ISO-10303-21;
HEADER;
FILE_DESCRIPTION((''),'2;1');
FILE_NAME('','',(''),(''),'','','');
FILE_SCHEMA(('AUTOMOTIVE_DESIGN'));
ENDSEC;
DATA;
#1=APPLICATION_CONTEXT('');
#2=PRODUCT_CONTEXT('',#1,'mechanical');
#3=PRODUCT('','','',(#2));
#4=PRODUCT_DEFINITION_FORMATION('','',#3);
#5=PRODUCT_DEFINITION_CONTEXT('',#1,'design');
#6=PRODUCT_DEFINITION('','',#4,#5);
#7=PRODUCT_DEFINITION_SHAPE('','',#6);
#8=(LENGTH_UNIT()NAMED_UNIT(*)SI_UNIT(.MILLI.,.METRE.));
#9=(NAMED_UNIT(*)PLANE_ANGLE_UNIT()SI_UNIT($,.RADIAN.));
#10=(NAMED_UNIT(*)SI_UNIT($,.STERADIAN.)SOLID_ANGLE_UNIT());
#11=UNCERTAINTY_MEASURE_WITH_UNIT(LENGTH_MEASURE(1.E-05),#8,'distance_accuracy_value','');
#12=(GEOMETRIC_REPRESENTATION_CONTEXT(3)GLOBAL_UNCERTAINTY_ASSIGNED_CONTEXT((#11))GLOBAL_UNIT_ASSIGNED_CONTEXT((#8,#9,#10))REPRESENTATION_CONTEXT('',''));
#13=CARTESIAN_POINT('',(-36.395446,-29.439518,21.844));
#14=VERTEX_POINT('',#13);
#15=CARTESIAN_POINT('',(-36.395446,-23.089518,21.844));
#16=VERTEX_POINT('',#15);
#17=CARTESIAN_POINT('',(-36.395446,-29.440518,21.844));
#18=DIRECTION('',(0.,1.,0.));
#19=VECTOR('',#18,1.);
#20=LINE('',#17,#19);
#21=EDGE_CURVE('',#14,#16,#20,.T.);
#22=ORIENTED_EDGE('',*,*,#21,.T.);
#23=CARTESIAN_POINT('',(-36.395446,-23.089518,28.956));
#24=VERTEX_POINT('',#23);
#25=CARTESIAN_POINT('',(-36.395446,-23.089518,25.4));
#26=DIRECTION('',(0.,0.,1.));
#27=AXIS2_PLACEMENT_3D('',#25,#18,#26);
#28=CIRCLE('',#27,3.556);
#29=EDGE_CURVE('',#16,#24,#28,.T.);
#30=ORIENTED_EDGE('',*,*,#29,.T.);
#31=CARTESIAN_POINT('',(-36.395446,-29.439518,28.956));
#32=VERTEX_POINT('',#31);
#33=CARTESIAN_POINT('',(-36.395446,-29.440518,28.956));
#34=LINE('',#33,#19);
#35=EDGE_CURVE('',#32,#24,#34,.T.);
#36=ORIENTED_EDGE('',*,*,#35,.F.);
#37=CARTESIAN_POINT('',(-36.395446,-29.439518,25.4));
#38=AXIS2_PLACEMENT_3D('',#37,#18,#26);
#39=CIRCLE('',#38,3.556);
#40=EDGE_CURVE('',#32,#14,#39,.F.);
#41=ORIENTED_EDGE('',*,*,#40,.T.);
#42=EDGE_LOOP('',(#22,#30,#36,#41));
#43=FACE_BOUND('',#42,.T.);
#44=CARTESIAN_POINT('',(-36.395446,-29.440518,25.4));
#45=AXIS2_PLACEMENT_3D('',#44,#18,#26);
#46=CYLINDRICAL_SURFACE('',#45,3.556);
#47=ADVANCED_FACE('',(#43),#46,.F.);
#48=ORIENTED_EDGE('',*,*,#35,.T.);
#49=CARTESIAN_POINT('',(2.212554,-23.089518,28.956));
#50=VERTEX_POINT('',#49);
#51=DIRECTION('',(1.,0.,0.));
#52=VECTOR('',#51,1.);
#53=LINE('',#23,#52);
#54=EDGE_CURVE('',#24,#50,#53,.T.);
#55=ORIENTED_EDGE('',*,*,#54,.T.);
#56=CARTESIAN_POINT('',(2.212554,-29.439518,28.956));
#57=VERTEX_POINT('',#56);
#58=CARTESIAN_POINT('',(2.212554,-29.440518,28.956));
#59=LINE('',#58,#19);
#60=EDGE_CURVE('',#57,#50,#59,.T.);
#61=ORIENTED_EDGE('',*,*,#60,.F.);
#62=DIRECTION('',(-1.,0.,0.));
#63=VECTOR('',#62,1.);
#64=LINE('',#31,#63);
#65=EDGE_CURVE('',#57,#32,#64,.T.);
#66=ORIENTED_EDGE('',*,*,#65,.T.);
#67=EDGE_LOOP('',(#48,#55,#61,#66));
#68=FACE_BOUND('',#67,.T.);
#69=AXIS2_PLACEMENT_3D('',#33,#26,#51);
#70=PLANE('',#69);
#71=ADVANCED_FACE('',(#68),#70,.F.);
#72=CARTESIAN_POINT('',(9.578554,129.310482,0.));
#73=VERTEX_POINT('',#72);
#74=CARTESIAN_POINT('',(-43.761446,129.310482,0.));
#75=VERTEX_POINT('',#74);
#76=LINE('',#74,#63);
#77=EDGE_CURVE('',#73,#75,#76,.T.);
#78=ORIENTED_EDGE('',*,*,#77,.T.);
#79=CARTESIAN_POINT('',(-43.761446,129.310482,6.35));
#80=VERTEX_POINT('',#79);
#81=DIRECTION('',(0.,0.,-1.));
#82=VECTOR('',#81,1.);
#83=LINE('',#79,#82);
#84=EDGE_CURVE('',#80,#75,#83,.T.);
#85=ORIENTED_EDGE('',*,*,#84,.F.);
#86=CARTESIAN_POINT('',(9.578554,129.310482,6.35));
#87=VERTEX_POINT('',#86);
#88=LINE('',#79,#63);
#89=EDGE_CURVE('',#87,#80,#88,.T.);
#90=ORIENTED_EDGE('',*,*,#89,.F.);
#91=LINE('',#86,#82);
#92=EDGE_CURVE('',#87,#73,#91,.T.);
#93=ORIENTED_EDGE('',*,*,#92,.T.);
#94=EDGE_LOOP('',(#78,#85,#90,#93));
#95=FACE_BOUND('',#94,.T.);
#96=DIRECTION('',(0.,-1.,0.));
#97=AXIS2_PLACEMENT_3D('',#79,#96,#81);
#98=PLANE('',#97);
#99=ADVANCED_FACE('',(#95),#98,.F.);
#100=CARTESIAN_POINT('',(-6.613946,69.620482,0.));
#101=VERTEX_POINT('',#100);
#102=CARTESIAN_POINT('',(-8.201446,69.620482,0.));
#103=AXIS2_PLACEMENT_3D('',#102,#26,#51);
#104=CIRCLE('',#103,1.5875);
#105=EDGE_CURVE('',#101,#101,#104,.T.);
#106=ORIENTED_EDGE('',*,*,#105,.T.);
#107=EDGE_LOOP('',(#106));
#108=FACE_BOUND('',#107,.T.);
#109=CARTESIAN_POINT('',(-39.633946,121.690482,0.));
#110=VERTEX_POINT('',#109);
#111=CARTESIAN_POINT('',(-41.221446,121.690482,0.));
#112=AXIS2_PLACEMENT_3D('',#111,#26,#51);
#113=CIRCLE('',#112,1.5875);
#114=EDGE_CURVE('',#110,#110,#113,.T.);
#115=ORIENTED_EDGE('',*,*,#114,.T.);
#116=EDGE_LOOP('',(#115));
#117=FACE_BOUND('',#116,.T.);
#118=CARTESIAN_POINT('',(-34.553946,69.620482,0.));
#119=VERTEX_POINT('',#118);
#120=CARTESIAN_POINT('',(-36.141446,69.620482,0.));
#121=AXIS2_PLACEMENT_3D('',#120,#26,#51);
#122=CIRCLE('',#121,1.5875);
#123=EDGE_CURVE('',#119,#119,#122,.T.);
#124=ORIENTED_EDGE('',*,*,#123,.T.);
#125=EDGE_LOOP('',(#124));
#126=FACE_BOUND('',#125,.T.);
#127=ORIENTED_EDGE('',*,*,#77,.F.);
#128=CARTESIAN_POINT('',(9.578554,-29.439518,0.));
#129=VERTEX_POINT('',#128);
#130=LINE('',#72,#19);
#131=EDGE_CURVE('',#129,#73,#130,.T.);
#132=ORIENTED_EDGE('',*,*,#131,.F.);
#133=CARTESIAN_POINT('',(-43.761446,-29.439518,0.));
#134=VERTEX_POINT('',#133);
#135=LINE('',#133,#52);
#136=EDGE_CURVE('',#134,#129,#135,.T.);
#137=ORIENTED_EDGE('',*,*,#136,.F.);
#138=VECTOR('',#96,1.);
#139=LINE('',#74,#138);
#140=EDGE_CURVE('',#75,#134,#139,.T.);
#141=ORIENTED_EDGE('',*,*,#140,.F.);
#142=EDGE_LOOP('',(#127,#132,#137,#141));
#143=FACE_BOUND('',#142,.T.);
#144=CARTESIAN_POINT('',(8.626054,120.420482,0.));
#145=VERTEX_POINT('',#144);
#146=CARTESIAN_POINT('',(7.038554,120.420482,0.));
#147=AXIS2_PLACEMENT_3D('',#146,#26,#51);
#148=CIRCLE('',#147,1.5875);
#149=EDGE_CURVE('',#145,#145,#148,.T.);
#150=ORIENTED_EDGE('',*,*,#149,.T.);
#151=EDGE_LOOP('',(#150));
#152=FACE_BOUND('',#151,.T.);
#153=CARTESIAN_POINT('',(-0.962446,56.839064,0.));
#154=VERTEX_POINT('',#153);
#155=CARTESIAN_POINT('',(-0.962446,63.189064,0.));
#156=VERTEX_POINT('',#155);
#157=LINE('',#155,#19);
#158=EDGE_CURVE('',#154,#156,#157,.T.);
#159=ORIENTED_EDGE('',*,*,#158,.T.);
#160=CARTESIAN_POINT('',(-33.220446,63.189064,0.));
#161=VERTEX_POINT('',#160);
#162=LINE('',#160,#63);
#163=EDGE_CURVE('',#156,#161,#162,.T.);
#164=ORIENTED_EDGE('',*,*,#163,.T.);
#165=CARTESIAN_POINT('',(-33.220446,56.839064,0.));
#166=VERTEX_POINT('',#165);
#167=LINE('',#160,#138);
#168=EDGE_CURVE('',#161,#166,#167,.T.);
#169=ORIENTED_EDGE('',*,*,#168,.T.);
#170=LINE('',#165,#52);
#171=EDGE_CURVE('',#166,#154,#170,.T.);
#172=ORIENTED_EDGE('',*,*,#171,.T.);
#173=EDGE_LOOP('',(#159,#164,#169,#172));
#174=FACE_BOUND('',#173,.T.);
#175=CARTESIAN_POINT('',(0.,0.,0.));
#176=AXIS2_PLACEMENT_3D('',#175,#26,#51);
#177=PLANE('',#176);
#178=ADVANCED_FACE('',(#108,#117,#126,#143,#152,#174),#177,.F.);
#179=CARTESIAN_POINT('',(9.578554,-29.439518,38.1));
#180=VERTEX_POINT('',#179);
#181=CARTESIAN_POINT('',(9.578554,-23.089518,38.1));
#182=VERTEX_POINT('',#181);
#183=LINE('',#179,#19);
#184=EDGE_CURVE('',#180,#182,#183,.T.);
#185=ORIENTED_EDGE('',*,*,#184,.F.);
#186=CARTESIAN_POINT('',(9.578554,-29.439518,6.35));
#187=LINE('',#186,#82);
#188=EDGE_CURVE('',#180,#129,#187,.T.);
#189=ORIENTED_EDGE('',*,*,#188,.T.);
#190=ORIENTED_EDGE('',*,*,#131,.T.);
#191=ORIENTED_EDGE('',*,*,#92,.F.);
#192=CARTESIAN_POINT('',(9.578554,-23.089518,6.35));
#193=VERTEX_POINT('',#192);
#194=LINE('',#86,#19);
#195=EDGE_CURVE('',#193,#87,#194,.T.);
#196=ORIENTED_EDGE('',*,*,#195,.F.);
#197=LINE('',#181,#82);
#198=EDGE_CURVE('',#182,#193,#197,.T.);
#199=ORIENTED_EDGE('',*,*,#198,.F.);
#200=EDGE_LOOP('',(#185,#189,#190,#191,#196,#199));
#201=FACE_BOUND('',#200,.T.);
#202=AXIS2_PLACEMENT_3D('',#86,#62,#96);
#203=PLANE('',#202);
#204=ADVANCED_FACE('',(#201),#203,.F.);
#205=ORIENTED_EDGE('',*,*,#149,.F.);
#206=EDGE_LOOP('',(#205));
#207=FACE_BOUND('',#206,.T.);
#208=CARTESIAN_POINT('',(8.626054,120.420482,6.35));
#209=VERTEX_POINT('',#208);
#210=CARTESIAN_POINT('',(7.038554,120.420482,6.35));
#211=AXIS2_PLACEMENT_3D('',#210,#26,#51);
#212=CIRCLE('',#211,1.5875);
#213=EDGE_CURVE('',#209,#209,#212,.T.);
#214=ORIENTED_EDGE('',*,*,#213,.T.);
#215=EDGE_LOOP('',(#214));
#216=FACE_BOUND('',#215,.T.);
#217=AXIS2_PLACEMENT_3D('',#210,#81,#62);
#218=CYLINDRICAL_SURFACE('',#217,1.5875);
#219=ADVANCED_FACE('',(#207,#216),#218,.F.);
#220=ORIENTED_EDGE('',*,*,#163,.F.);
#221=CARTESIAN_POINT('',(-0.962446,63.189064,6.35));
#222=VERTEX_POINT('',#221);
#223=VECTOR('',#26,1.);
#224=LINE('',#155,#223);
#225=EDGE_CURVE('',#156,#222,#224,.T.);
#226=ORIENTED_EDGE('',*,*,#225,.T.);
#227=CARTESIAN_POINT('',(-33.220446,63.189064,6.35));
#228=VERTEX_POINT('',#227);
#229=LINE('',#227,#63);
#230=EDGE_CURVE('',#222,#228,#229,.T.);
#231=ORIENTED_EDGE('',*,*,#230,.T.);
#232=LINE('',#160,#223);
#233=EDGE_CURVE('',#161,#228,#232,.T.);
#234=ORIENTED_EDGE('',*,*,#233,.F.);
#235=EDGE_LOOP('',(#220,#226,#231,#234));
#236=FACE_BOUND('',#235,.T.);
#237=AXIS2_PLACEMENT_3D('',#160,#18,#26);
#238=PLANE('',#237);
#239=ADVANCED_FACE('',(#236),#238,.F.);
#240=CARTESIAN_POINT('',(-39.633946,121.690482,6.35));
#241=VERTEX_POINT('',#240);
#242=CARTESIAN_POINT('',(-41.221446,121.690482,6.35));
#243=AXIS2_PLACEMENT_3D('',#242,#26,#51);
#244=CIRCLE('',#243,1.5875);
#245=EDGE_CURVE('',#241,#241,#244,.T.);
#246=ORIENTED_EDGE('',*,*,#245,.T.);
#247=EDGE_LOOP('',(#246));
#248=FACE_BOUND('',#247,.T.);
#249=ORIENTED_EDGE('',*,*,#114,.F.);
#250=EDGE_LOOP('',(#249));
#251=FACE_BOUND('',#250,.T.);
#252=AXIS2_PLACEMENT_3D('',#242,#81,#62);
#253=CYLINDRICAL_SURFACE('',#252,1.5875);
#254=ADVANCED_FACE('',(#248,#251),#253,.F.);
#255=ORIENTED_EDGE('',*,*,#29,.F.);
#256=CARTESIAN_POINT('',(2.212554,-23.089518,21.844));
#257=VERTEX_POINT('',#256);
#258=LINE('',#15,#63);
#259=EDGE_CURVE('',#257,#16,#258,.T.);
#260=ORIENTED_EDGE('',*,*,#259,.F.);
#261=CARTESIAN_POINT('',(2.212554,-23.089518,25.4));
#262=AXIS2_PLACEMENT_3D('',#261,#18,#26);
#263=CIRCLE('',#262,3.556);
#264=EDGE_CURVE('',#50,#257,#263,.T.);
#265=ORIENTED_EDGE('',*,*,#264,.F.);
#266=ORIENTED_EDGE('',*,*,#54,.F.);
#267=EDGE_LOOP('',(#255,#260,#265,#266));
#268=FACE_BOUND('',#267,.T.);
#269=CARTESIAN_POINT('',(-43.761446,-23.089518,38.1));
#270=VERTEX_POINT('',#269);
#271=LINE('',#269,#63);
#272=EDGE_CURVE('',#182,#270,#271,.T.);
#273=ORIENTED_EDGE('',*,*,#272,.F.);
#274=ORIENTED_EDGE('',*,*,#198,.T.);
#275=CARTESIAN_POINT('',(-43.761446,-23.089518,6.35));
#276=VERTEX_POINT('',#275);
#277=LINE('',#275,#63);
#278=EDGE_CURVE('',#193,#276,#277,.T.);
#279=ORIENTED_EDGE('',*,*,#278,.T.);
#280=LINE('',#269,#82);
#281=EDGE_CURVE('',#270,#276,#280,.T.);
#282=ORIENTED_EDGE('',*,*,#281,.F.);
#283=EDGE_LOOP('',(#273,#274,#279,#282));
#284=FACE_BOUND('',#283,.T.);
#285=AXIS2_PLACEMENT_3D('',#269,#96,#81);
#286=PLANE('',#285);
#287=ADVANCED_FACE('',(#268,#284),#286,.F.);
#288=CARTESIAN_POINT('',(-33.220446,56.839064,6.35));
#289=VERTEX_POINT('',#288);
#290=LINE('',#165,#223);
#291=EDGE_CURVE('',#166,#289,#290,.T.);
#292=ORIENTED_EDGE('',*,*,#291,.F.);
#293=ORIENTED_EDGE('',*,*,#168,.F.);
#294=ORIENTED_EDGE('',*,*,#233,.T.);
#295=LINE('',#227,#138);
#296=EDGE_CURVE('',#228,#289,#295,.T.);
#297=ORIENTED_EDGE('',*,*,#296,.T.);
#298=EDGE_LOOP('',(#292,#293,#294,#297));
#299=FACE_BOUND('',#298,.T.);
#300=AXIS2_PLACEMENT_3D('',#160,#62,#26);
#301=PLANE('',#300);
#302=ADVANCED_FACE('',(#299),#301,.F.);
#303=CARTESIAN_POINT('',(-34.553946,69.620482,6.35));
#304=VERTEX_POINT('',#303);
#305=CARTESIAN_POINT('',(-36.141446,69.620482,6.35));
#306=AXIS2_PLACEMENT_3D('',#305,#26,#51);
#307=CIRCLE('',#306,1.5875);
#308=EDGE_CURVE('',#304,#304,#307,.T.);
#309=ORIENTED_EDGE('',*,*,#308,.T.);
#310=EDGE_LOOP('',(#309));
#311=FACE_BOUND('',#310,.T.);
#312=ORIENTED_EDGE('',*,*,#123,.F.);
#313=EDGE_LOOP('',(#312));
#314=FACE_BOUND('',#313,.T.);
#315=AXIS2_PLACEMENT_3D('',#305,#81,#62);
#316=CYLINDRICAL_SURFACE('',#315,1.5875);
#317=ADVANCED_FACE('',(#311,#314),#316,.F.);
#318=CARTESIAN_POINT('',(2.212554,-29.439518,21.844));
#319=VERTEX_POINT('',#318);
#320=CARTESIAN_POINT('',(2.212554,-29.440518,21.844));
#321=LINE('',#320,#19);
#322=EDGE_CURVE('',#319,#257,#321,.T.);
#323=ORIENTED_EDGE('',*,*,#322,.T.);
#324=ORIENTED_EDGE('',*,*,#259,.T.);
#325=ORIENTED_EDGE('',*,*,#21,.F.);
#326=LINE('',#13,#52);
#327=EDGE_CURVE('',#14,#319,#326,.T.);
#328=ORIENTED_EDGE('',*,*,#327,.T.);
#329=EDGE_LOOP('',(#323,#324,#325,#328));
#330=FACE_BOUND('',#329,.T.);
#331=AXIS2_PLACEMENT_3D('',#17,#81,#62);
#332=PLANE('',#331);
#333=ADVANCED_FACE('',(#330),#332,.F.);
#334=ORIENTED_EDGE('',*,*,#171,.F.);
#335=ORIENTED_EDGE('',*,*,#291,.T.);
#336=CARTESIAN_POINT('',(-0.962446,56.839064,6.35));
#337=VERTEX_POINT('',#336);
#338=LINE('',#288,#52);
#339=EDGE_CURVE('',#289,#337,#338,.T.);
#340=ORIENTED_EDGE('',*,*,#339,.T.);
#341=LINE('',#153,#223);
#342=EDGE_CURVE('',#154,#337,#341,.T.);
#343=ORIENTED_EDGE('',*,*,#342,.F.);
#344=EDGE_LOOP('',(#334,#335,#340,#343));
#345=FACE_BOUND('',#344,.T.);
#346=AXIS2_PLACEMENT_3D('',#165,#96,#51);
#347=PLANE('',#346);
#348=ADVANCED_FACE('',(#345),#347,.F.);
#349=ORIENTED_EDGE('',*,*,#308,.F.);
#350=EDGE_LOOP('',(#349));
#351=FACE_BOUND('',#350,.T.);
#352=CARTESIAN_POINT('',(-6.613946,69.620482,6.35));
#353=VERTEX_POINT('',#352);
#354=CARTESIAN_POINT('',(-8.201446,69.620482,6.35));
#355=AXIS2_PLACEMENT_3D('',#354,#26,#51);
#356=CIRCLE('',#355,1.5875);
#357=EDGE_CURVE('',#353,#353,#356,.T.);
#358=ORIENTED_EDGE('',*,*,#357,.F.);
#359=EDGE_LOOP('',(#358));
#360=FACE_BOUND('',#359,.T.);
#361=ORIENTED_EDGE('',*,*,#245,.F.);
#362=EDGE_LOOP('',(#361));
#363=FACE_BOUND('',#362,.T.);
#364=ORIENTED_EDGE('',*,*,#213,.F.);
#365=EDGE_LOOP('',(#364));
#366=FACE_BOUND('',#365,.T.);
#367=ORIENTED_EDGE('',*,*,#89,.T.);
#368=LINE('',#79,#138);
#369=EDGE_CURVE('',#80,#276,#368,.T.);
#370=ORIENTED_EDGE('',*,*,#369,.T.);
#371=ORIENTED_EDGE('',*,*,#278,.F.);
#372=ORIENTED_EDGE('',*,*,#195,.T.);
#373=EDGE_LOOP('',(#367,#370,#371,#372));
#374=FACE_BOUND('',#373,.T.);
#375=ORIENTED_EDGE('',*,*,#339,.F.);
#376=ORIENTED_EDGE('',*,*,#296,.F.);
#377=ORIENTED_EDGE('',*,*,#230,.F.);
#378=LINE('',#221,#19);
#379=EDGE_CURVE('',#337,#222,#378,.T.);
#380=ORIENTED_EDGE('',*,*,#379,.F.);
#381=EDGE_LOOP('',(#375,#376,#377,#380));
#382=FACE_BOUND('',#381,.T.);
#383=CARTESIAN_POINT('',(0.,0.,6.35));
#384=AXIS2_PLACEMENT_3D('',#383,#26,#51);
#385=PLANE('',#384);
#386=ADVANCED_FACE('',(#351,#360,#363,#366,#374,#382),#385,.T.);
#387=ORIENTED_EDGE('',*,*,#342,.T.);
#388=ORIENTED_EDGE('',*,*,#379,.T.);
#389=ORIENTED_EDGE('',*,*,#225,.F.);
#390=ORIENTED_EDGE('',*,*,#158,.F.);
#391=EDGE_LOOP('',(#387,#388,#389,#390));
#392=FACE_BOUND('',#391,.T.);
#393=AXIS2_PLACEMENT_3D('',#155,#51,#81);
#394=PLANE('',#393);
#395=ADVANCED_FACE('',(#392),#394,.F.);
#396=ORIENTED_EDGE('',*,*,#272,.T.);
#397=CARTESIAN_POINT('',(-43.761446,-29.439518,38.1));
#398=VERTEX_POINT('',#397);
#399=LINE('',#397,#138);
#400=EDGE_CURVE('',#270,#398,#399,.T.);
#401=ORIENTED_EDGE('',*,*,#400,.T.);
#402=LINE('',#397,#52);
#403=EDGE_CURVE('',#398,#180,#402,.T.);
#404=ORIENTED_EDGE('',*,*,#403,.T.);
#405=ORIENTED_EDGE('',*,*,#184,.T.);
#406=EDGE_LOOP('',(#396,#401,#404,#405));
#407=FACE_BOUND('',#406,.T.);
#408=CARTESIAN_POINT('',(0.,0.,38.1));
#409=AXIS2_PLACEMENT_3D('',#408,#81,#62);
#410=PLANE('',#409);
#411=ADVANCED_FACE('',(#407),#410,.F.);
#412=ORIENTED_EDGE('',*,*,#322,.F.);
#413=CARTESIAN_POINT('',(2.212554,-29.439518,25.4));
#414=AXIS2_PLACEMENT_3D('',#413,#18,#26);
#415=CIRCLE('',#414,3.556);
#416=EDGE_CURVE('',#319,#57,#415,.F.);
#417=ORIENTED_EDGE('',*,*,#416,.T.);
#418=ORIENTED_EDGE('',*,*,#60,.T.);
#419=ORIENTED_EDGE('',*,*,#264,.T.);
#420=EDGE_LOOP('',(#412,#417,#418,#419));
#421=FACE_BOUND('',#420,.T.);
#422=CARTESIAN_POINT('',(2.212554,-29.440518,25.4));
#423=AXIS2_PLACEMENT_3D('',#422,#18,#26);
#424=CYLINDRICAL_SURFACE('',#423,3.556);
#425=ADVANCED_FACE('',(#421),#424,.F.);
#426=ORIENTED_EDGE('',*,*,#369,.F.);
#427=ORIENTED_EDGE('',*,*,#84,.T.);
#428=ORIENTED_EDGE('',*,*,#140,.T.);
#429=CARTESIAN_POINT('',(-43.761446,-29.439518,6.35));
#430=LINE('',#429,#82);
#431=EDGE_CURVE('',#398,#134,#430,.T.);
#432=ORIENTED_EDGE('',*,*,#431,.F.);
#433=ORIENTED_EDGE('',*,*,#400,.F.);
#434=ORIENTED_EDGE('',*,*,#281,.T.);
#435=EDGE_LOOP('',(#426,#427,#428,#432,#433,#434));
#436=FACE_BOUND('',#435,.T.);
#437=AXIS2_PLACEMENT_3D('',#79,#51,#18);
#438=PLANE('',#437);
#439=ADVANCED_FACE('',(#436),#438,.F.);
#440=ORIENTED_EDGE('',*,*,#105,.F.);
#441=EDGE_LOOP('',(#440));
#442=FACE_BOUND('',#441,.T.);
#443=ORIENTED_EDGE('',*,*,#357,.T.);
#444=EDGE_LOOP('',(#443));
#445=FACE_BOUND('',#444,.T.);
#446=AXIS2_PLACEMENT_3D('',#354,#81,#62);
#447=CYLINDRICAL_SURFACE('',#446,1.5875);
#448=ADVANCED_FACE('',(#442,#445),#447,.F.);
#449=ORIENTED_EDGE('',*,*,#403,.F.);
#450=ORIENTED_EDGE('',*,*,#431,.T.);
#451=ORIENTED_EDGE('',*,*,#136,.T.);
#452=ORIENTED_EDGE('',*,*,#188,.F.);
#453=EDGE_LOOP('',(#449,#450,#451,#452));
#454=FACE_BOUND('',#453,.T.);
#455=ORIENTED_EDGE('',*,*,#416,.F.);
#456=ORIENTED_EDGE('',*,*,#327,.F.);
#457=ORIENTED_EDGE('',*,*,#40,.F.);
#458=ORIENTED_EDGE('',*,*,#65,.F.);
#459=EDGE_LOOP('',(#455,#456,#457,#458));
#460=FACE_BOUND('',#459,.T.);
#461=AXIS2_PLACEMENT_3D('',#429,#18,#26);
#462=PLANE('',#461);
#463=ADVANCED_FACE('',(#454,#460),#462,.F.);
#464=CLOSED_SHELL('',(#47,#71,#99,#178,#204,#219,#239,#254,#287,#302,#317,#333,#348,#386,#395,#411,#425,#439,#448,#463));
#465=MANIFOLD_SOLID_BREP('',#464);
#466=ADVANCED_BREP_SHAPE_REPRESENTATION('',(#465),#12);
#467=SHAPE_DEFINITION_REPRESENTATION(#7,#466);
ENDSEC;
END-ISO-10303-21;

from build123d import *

# Parameters (mm, degrees)
SKETCH1_W           = 53.34
SKETCH1_H           = 158.75
SKETCH1_R           = 1.5875
BOSS_EXTRUDE1_DEPTH = 6.35
SKETCH2_3_W         = 32.258
SKETCH2_3_H         = 6.35
CUT_EXTRUDE2_DEPTH  = 137.662311459
SKETCH6_W           = 53.34
SKETCH6_H           = 6.35
BOSS_EXTRUDE5_DEPTH = 31.75
CUT_EXTRUDE3_REACH  = 165.072


with BuildPart() as part:
    # Sketch1 → Boss-Extrude1 (new body)
    with BuildSketch(Plane.XY):
        with Locations((-17.091445783, 49.935481928)):
            Rectangle(SKETCH1_W, SKETCH1_H)
        with Locations((-36.141445783, 69.620481928)):
            Circle(SKETCH1_R, mode=Mode.SUBTRACT)
        with Locations((-8.201445783, 69.620481928)):
            Circle(SKETCH1_R, mode=Mode.SUBTRACT)
        with Locations((-41.221445783, 121.690481928)):
            Circle(SKETCH1_R, mode=Mode.SUBTRACT)
        with Locations((7.038554217, 120.420481928)):
            Circle(SKETCH1_R, mode=Mode.SUBTRACT)
    extrude(amount=BOSS_EXTRUDE1_DEPTH)

    # Sketch2<3> → Cut-Extrude2 (cut, through all)
    with BuildSketch(Plane.XY.offset(6.35)):
        with Locations((-17.091445783, 60.014063864)):
            Rectangle(SKETCH2_3_W, SKETCH2_3_H)
    extrude(amount=-CUT_EXTRUDE2_DEPTH, mode=Mode.SUBTRACT)

    # Sketch6 → Boss-Extrude5 (add)
    with BuildSketch(Plane.XY.offset(6.35)):
        with Locations((-17.091445783, -26.264518072)):
            Rectangle(SKETCH6_W, SKETCH6_H)
    extrude(amount=BOSS_EXTRUDE5_DEPTH)

    # Sketch7 → Cut-Extrude3 (cut, up to next)
    with BuildSketch(Plane(origin=(0, -23.089518072, 0), x_dir=(1, 0, 0), z_dir=(0, 1, 0)), mode=Mode.PRIVATE) as cut_extrude3_sk1:
        with BuildLine():
            Line((-36.395445783, -21.844), (2.212554217, -21.844))
            ThreePointArc((2.212554217, -21.844), (5.768554217, -25.4), (2.212554217, -28.956))
            Line((2.212554217, -28.956), (-36.395445783, -28.956))
            ThreePointArc((-36.395445783, -28.956), (-39.951445783, -25.4), (-36.395445783, -21.844))
        make_face()
    cut_extrude3_tool1 = extrude(cut_extrude3_sk1.sketch, amount=-CUT_EXTRUDE3_REACH, mode=Mode.PRIVATE) & part.part
    add(cut_extrude3_tool1.solids().sort_by_distance((-17.091446, -23.089518, 25.4))[0], mode=Mode.SUBTRACT)


solid = part.part
